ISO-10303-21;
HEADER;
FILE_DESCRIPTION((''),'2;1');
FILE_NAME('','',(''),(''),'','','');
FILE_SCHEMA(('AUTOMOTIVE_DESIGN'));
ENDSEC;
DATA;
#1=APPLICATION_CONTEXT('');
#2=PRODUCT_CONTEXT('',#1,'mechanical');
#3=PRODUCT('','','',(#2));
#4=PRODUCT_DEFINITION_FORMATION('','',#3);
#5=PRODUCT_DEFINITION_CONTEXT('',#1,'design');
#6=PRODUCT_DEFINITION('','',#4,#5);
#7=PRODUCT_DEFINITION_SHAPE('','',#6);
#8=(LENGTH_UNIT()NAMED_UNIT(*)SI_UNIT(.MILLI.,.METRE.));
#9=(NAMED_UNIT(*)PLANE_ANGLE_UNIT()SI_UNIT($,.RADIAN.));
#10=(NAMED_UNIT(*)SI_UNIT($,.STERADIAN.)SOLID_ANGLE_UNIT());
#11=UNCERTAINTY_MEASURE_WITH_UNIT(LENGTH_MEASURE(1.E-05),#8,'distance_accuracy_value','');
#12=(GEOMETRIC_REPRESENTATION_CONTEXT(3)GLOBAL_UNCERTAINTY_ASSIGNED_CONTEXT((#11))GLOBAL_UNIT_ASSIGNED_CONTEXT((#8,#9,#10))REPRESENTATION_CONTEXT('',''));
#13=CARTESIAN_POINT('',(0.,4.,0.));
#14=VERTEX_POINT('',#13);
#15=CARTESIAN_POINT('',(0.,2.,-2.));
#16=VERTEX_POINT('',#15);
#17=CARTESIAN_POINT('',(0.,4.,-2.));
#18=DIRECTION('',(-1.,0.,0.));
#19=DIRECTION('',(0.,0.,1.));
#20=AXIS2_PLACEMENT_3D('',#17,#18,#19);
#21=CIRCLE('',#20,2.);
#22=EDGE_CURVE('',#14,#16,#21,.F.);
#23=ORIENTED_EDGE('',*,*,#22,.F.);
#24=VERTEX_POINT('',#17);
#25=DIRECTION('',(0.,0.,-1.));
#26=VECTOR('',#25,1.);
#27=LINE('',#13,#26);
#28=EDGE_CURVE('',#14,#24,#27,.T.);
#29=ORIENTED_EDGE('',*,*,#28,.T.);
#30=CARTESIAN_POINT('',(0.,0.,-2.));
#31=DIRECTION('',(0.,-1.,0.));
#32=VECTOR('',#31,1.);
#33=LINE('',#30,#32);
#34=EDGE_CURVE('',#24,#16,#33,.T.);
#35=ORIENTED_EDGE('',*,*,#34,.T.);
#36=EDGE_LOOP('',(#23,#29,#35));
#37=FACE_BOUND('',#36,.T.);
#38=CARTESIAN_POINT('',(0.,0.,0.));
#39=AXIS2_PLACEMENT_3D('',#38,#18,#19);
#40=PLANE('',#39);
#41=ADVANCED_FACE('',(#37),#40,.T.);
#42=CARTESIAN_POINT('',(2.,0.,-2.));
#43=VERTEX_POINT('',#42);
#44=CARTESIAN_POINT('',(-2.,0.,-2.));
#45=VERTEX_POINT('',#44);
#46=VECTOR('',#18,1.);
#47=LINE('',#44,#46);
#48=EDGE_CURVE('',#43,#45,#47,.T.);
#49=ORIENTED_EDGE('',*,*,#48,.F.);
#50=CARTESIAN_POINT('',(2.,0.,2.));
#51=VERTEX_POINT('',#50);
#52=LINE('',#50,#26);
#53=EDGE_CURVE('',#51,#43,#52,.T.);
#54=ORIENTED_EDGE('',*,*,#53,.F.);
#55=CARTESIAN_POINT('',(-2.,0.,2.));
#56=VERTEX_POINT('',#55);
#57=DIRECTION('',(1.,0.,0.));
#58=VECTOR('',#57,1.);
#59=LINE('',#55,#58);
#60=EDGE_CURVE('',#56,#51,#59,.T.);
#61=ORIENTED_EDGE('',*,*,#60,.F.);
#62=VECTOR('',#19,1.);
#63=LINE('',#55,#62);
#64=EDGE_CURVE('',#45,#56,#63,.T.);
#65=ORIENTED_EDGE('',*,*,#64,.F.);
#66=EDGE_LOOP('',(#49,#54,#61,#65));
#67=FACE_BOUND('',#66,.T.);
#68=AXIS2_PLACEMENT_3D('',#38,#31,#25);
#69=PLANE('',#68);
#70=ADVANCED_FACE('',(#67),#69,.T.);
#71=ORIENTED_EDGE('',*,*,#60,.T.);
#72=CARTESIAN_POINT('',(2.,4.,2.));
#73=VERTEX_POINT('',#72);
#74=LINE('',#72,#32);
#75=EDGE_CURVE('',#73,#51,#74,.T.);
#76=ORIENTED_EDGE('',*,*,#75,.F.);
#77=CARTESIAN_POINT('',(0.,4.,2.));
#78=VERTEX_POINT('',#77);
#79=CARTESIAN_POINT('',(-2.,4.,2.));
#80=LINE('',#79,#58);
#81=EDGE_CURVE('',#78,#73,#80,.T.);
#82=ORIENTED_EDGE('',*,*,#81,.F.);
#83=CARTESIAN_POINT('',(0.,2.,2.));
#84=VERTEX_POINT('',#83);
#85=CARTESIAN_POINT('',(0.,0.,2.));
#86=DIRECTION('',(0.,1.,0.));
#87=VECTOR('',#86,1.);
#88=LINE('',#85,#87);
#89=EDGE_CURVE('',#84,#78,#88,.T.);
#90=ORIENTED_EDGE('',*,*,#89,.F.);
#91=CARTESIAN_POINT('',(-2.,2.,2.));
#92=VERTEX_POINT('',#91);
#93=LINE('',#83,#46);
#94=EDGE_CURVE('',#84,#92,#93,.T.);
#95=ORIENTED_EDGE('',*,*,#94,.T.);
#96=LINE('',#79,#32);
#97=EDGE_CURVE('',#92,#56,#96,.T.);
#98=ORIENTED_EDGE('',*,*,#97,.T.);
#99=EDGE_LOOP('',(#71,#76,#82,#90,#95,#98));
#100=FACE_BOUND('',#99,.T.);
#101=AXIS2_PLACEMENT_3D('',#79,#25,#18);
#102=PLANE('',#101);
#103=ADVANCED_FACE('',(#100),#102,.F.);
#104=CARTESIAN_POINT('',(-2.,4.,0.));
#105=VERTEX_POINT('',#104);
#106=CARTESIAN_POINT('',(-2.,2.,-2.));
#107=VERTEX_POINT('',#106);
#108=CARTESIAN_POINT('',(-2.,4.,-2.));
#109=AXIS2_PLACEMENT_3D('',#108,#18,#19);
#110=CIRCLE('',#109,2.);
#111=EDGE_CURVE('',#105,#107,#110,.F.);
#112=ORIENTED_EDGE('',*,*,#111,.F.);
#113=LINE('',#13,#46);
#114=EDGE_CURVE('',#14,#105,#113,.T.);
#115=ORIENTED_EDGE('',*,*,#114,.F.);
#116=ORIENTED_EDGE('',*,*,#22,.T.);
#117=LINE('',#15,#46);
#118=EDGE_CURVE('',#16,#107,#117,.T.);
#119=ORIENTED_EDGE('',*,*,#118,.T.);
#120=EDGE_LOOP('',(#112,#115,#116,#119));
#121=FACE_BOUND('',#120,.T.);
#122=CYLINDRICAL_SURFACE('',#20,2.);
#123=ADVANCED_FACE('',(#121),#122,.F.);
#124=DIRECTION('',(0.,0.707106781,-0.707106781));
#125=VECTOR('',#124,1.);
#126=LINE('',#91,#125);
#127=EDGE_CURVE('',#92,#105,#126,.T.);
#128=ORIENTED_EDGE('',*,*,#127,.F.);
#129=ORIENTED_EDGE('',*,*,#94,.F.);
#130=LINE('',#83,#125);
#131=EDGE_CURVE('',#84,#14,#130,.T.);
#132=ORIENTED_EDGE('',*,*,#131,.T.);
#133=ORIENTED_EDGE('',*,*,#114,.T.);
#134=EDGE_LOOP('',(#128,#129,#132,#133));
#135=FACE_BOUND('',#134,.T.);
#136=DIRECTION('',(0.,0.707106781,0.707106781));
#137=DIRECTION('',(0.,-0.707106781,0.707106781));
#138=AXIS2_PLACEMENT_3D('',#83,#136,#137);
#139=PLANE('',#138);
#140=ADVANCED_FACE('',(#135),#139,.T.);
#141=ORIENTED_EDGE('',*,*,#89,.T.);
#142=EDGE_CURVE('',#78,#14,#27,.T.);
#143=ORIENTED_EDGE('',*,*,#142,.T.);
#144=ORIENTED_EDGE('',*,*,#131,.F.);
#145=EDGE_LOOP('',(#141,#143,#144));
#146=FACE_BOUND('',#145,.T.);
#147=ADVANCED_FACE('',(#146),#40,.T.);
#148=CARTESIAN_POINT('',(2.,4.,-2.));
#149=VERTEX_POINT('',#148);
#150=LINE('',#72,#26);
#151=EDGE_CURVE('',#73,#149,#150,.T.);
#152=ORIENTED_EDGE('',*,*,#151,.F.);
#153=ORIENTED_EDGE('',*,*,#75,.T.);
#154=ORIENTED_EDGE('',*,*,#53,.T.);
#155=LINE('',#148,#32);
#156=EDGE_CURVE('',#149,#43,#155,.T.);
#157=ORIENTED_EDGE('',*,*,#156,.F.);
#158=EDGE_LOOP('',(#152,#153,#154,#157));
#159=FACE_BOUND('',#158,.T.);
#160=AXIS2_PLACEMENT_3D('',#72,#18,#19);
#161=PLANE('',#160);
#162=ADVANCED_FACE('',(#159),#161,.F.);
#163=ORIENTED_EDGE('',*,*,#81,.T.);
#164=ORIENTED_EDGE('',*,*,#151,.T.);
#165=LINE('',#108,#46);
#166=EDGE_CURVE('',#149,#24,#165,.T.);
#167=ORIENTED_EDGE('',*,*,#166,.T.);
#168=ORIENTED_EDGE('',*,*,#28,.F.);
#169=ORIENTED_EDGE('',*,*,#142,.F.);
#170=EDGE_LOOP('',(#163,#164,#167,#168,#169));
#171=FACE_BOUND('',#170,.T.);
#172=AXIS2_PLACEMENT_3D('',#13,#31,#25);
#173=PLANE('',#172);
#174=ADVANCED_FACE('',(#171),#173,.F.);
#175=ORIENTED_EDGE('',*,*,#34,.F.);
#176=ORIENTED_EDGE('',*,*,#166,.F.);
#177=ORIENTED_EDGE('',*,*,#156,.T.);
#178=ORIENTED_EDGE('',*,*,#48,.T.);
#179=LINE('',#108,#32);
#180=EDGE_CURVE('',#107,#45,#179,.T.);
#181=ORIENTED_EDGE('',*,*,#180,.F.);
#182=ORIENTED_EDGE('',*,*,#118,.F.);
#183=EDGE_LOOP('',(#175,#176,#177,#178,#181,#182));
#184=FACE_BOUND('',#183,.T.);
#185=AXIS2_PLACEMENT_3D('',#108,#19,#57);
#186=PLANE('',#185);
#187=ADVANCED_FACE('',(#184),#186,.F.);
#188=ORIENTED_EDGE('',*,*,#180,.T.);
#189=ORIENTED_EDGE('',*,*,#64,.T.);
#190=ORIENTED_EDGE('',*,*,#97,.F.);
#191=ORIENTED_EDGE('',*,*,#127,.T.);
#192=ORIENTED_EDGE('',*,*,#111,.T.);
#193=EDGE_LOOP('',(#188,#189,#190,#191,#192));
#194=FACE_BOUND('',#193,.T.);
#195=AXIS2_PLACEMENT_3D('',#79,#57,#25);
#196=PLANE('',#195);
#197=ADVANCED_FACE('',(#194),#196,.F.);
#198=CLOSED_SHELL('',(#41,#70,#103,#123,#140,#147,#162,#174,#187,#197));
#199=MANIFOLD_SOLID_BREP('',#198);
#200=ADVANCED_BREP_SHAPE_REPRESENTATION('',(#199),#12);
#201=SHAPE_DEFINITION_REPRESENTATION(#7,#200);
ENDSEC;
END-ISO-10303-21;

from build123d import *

# Parameters (mm, degrees)
SKETCH1_W           = 4
SKETCH1_H           = 4
BOSS_EXTRUDE1_DEPTH = 4
CUT_EXTRUDE1_DEPTH  = 2


with BuildPart() as part:
    # Sketch1 → Boss-Extrude1 (new body)
    with BuildSketch(Plane(origin=(0, 0, 0), x_dir=(1, 0, 0), z_dir=(0, 1, 0))):
        Rectangle(SKETCH1_W, SKETCH1_H)
    extrude(amount=BOSS_EXTRUDE1_DEPTH)

    # Sketch2 → Cut-Extrude1 (cut)
    with BuildSketch(Plane.ZY.offset(2)):
        Polygon((0, 4), (2, 2), (2, 4), align=None)
        with BuildLine():
            ThreePointArc((-2, 2), (-0.585786438, 2.585786438), (0, 4))
            Line((0, 4), (-2, 4))
            Line((-2, 4), (-2, 2))
        make_face()
    extrude(amount=-CUT_EXTRUDE1_DEPTH, mode=Mode.SUBTRACT)


solid = part.part
